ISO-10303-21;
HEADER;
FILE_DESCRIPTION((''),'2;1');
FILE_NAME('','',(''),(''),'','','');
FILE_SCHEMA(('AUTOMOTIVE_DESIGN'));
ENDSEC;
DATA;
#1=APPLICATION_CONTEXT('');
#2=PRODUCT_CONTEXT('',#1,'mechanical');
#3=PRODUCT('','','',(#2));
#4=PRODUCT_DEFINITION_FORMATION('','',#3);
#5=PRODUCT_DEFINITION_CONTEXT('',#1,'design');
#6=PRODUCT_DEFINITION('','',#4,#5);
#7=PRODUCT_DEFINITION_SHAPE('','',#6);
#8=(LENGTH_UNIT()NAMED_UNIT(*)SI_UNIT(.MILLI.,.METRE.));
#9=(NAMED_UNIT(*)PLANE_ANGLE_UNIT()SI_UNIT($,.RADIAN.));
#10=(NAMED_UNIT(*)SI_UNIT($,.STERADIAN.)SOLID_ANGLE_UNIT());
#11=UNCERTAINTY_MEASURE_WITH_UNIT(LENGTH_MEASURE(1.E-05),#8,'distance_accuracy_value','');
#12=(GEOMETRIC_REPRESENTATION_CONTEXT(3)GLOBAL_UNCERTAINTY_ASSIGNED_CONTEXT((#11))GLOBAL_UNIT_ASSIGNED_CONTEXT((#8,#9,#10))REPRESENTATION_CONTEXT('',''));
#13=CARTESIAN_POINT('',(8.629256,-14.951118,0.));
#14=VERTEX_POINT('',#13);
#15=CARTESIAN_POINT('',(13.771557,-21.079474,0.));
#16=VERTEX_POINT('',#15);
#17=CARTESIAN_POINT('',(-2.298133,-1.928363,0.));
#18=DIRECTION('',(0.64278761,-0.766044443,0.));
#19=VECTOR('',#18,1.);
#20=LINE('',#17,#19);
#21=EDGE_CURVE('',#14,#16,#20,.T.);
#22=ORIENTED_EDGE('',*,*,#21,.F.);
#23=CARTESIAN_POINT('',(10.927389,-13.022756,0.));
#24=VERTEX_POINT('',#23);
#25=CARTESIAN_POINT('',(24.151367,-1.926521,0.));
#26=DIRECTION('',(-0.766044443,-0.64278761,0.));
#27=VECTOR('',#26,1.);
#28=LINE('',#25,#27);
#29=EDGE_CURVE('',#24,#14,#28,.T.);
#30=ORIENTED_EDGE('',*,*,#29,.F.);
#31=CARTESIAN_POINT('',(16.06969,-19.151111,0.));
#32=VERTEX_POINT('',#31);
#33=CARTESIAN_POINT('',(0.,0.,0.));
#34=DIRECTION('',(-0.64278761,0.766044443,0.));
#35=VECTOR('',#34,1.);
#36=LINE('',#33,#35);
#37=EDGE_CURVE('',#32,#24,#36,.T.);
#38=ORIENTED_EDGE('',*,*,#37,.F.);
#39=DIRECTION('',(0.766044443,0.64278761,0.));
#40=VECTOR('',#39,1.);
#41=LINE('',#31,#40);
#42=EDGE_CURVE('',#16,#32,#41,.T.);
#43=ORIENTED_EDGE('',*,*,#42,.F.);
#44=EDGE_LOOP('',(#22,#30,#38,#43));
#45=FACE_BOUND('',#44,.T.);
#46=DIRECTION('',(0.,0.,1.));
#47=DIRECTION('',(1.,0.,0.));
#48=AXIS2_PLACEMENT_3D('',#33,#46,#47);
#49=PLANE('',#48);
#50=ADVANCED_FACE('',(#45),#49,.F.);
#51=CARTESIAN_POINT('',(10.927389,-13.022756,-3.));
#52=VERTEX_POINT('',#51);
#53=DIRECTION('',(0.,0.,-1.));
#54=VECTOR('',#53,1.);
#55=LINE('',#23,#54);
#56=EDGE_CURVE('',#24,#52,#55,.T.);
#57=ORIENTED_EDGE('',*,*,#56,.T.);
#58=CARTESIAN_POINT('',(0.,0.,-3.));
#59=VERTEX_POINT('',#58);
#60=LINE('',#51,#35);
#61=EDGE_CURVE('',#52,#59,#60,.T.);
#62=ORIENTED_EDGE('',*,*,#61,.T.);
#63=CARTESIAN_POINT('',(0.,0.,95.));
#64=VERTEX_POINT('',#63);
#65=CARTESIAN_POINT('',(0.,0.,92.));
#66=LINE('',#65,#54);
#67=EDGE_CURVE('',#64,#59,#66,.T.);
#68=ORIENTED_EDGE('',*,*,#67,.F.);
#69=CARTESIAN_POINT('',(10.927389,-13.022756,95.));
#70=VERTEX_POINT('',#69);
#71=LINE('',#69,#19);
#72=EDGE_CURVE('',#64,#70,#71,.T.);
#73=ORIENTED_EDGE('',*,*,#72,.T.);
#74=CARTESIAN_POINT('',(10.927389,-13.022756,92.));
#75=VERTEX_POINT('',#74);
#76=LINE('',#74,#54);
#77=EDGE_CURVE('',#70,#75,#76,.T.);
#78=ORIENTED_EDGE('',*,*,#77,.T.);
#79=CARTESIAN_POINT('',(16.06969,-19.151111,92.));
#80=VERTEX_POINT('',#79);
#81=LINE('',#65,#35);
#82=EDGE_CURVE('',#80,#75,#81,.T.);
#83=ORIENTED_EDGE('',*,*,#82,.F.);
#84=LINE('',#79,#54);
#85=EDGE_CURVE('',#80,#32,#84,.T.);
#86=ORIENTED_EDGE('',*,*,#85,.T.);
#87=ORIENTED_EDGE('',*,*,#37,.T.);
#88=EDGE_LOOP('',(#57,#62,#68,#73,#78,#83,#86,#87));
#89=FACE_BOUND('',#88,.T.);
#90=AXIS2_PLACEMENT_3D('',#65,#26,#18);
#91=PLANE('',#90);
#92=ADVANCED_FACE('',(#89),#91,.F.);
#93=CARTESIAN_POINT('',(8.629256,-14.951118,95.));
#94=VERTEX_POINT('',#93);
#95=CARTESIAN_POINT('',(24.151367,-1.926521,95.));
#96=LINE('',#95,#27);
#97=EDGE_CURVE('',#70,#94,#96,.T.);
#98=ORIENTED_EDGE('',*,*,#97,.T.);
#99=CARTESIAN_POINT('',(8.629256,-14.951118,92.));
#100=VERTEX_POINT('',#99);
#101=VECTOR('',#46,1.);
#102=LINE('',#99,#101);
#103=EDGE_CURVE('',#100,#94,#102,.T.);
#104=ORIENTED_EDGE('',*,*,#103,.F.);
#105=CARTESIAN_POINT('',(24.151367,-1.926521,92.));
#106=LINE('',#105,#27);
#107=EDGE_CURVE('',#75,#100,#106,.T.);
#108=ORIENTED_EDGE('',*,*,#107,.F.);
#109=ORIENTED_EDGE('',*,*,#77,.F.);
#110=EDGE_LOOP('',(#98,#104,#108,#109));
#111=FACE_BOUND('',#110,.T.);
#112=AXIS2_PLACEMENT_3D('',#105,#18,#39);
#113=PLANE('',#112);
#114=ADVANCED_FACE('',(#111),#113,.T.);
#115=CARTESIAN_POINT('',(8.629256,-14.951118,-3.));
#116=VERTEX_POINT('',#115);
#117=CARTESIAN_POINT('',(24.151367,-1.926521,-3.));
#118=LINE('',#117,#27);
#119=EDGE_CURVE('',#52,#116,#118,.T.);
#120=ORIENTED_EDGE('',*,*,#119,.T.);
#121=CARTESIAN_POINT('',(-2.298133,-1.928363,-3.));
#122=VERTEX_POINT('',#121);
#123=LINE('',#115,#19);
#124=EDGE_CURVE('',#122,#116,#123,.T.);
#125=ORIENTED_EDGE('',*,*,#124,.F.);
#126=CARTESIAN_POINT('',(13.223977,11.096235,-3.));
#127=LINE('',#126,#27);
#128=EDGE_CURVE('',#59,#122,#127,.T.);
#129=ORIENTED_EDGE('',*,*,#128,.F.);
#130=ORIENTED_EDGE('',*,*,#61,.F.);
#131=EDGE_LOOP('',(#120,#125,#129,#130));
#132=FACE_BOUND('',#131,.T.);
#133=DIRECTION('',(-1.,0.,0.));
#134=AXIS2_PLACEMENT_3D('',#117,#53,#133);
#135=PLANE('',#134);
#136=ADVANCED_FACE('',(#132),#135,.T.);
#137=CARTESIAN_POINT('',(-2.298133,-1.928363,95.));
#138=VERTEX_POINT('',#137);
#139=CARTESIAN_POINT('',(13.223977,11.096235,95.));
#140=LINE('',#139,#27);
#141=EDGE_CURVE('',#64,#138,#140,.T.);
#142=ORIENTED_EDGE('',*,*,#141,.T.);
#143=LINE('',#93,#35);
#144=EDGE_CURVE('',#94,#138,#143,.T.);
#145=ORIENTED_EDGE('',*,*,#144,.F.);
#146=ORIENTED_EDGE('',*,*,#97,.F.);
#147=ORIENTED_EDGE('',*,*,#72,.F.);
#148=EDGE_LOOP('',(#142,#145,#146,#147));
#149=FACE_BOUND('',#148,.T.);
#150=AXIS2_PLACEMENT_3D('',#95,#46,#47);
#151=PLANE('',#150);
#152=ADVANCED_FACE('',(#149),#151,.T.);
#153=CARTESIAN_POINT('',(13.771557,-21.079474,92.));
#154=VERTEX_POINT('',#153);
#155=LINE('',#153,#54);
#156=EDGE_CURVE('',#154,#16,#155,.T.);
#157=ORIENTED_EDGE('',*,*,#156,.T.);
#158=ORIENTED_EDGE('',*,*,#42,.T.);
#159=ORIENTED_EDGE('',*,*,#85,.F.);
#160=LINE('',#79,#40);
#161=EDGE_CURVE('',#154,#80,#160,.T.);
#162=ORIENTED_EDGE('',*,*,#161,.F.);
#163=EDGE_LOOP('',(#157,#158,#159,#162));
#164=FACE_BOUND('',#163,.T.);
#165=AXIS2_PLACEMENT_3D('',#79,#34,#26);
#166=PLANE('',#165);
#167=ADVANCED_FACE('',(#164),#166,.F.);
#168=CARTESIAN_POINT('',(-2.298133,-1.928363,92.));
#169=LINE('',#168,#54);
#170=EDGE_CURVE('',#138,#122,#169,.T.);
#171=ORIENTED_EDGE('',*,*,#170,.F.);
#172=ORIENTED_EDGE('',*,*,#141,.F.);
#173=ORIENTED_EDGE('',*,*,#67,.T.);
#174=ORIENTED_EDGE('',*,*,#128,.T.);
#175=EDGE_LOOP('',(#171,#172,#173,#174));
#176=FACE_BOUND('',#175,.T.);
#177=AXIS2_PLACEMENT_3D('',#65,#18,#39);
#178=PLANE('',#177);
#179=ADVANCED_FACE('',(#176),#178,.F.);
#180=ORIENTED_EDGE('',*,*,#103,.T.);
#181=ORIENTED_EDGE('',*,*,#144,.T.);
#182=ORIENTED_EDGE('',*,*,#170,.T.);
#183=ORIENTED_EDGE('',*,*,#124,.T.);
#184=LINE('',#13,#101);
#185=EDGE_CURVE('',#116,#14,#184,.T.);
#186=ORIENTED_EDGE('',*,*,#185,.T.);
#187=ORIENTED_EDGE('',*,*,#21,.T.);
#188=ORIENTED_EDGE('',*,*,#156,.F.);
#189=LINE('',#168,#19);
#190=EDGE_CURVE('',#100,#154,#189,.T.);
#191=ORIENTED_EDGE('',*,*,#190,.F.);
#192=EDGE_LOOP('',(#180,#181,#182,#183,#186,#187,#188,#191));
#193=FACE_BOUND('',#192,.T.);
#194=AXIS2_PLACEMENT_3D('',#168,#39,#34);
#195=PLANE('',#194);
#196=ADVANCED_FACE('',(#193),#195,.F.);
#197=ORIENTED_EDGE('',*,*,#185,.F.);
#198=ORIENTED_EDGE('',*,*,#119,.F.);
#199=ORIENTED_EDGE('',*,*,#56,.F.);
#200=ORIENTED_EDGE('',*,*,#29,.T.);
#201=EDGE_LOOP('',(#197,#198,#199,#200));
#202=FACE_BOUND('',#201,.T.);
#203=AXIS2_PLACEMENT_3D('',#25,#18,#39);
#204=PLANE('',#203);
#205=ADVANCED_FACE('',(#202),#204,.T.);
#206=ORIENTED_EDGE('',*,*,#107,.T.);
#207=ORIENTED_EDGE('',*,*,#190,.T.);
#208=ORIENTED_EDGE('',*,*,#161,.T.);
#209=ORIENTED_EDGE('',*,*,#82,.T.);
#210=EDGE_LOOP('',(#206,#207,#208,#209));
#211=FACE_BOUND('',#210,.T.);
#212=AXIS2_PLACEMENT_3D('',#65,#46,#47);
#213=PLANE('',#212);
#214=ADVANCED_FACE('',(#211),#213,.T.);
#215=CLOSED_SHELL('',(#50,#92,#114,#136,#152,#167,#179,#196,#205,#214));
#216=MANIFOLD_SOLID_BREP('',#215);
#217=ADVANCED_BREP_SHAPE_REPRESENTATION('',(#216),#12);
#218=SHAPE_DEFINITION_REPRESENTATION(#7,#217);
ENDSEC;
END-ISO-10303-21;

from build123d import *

# Parameters (mm, degrees)
SALIENTE_EXTRUIR1_DEPTH = 92
CROQUIS3_W              = 3
CROQUIS3_H              = 17
SALIENTE_EXTRUIR2_DEPTH = 3


with BuildPart() as part:
    # Croquis1 → Saliente-Extruir1 (new body)
    with BuildSketch(Plane.XY):
        Polygon((0, 0), (16.069690242, -19.151111078), (13.771556913, -21.079473907), (-2.298133329, -1.928362829), align=None)
    extrude(amount=SALIENTE_EXTRUIR1_DEPTH)

    # Croquis3 → Saliente-Extruir2 (add)
    with BuildSketch(Plane(origin=(-2.298133329, -1.928362829, 0), x_dir=(0, 0, 1), z_dir=(-0.7660444431189819, -0.6427876096865347, 0))):
        with Locations((93.5, -8.5)):
            Rectangle(CROQUIS3_W, CROQUIS3_H)
        with Locations((-1.5, -8.5)):
            Rectangle(CROQUIS3_W, CROQUIS3_H)
    extrude(amount=-SALIENTE_EXTRUIR2_DEPTH)


solid = part.part
